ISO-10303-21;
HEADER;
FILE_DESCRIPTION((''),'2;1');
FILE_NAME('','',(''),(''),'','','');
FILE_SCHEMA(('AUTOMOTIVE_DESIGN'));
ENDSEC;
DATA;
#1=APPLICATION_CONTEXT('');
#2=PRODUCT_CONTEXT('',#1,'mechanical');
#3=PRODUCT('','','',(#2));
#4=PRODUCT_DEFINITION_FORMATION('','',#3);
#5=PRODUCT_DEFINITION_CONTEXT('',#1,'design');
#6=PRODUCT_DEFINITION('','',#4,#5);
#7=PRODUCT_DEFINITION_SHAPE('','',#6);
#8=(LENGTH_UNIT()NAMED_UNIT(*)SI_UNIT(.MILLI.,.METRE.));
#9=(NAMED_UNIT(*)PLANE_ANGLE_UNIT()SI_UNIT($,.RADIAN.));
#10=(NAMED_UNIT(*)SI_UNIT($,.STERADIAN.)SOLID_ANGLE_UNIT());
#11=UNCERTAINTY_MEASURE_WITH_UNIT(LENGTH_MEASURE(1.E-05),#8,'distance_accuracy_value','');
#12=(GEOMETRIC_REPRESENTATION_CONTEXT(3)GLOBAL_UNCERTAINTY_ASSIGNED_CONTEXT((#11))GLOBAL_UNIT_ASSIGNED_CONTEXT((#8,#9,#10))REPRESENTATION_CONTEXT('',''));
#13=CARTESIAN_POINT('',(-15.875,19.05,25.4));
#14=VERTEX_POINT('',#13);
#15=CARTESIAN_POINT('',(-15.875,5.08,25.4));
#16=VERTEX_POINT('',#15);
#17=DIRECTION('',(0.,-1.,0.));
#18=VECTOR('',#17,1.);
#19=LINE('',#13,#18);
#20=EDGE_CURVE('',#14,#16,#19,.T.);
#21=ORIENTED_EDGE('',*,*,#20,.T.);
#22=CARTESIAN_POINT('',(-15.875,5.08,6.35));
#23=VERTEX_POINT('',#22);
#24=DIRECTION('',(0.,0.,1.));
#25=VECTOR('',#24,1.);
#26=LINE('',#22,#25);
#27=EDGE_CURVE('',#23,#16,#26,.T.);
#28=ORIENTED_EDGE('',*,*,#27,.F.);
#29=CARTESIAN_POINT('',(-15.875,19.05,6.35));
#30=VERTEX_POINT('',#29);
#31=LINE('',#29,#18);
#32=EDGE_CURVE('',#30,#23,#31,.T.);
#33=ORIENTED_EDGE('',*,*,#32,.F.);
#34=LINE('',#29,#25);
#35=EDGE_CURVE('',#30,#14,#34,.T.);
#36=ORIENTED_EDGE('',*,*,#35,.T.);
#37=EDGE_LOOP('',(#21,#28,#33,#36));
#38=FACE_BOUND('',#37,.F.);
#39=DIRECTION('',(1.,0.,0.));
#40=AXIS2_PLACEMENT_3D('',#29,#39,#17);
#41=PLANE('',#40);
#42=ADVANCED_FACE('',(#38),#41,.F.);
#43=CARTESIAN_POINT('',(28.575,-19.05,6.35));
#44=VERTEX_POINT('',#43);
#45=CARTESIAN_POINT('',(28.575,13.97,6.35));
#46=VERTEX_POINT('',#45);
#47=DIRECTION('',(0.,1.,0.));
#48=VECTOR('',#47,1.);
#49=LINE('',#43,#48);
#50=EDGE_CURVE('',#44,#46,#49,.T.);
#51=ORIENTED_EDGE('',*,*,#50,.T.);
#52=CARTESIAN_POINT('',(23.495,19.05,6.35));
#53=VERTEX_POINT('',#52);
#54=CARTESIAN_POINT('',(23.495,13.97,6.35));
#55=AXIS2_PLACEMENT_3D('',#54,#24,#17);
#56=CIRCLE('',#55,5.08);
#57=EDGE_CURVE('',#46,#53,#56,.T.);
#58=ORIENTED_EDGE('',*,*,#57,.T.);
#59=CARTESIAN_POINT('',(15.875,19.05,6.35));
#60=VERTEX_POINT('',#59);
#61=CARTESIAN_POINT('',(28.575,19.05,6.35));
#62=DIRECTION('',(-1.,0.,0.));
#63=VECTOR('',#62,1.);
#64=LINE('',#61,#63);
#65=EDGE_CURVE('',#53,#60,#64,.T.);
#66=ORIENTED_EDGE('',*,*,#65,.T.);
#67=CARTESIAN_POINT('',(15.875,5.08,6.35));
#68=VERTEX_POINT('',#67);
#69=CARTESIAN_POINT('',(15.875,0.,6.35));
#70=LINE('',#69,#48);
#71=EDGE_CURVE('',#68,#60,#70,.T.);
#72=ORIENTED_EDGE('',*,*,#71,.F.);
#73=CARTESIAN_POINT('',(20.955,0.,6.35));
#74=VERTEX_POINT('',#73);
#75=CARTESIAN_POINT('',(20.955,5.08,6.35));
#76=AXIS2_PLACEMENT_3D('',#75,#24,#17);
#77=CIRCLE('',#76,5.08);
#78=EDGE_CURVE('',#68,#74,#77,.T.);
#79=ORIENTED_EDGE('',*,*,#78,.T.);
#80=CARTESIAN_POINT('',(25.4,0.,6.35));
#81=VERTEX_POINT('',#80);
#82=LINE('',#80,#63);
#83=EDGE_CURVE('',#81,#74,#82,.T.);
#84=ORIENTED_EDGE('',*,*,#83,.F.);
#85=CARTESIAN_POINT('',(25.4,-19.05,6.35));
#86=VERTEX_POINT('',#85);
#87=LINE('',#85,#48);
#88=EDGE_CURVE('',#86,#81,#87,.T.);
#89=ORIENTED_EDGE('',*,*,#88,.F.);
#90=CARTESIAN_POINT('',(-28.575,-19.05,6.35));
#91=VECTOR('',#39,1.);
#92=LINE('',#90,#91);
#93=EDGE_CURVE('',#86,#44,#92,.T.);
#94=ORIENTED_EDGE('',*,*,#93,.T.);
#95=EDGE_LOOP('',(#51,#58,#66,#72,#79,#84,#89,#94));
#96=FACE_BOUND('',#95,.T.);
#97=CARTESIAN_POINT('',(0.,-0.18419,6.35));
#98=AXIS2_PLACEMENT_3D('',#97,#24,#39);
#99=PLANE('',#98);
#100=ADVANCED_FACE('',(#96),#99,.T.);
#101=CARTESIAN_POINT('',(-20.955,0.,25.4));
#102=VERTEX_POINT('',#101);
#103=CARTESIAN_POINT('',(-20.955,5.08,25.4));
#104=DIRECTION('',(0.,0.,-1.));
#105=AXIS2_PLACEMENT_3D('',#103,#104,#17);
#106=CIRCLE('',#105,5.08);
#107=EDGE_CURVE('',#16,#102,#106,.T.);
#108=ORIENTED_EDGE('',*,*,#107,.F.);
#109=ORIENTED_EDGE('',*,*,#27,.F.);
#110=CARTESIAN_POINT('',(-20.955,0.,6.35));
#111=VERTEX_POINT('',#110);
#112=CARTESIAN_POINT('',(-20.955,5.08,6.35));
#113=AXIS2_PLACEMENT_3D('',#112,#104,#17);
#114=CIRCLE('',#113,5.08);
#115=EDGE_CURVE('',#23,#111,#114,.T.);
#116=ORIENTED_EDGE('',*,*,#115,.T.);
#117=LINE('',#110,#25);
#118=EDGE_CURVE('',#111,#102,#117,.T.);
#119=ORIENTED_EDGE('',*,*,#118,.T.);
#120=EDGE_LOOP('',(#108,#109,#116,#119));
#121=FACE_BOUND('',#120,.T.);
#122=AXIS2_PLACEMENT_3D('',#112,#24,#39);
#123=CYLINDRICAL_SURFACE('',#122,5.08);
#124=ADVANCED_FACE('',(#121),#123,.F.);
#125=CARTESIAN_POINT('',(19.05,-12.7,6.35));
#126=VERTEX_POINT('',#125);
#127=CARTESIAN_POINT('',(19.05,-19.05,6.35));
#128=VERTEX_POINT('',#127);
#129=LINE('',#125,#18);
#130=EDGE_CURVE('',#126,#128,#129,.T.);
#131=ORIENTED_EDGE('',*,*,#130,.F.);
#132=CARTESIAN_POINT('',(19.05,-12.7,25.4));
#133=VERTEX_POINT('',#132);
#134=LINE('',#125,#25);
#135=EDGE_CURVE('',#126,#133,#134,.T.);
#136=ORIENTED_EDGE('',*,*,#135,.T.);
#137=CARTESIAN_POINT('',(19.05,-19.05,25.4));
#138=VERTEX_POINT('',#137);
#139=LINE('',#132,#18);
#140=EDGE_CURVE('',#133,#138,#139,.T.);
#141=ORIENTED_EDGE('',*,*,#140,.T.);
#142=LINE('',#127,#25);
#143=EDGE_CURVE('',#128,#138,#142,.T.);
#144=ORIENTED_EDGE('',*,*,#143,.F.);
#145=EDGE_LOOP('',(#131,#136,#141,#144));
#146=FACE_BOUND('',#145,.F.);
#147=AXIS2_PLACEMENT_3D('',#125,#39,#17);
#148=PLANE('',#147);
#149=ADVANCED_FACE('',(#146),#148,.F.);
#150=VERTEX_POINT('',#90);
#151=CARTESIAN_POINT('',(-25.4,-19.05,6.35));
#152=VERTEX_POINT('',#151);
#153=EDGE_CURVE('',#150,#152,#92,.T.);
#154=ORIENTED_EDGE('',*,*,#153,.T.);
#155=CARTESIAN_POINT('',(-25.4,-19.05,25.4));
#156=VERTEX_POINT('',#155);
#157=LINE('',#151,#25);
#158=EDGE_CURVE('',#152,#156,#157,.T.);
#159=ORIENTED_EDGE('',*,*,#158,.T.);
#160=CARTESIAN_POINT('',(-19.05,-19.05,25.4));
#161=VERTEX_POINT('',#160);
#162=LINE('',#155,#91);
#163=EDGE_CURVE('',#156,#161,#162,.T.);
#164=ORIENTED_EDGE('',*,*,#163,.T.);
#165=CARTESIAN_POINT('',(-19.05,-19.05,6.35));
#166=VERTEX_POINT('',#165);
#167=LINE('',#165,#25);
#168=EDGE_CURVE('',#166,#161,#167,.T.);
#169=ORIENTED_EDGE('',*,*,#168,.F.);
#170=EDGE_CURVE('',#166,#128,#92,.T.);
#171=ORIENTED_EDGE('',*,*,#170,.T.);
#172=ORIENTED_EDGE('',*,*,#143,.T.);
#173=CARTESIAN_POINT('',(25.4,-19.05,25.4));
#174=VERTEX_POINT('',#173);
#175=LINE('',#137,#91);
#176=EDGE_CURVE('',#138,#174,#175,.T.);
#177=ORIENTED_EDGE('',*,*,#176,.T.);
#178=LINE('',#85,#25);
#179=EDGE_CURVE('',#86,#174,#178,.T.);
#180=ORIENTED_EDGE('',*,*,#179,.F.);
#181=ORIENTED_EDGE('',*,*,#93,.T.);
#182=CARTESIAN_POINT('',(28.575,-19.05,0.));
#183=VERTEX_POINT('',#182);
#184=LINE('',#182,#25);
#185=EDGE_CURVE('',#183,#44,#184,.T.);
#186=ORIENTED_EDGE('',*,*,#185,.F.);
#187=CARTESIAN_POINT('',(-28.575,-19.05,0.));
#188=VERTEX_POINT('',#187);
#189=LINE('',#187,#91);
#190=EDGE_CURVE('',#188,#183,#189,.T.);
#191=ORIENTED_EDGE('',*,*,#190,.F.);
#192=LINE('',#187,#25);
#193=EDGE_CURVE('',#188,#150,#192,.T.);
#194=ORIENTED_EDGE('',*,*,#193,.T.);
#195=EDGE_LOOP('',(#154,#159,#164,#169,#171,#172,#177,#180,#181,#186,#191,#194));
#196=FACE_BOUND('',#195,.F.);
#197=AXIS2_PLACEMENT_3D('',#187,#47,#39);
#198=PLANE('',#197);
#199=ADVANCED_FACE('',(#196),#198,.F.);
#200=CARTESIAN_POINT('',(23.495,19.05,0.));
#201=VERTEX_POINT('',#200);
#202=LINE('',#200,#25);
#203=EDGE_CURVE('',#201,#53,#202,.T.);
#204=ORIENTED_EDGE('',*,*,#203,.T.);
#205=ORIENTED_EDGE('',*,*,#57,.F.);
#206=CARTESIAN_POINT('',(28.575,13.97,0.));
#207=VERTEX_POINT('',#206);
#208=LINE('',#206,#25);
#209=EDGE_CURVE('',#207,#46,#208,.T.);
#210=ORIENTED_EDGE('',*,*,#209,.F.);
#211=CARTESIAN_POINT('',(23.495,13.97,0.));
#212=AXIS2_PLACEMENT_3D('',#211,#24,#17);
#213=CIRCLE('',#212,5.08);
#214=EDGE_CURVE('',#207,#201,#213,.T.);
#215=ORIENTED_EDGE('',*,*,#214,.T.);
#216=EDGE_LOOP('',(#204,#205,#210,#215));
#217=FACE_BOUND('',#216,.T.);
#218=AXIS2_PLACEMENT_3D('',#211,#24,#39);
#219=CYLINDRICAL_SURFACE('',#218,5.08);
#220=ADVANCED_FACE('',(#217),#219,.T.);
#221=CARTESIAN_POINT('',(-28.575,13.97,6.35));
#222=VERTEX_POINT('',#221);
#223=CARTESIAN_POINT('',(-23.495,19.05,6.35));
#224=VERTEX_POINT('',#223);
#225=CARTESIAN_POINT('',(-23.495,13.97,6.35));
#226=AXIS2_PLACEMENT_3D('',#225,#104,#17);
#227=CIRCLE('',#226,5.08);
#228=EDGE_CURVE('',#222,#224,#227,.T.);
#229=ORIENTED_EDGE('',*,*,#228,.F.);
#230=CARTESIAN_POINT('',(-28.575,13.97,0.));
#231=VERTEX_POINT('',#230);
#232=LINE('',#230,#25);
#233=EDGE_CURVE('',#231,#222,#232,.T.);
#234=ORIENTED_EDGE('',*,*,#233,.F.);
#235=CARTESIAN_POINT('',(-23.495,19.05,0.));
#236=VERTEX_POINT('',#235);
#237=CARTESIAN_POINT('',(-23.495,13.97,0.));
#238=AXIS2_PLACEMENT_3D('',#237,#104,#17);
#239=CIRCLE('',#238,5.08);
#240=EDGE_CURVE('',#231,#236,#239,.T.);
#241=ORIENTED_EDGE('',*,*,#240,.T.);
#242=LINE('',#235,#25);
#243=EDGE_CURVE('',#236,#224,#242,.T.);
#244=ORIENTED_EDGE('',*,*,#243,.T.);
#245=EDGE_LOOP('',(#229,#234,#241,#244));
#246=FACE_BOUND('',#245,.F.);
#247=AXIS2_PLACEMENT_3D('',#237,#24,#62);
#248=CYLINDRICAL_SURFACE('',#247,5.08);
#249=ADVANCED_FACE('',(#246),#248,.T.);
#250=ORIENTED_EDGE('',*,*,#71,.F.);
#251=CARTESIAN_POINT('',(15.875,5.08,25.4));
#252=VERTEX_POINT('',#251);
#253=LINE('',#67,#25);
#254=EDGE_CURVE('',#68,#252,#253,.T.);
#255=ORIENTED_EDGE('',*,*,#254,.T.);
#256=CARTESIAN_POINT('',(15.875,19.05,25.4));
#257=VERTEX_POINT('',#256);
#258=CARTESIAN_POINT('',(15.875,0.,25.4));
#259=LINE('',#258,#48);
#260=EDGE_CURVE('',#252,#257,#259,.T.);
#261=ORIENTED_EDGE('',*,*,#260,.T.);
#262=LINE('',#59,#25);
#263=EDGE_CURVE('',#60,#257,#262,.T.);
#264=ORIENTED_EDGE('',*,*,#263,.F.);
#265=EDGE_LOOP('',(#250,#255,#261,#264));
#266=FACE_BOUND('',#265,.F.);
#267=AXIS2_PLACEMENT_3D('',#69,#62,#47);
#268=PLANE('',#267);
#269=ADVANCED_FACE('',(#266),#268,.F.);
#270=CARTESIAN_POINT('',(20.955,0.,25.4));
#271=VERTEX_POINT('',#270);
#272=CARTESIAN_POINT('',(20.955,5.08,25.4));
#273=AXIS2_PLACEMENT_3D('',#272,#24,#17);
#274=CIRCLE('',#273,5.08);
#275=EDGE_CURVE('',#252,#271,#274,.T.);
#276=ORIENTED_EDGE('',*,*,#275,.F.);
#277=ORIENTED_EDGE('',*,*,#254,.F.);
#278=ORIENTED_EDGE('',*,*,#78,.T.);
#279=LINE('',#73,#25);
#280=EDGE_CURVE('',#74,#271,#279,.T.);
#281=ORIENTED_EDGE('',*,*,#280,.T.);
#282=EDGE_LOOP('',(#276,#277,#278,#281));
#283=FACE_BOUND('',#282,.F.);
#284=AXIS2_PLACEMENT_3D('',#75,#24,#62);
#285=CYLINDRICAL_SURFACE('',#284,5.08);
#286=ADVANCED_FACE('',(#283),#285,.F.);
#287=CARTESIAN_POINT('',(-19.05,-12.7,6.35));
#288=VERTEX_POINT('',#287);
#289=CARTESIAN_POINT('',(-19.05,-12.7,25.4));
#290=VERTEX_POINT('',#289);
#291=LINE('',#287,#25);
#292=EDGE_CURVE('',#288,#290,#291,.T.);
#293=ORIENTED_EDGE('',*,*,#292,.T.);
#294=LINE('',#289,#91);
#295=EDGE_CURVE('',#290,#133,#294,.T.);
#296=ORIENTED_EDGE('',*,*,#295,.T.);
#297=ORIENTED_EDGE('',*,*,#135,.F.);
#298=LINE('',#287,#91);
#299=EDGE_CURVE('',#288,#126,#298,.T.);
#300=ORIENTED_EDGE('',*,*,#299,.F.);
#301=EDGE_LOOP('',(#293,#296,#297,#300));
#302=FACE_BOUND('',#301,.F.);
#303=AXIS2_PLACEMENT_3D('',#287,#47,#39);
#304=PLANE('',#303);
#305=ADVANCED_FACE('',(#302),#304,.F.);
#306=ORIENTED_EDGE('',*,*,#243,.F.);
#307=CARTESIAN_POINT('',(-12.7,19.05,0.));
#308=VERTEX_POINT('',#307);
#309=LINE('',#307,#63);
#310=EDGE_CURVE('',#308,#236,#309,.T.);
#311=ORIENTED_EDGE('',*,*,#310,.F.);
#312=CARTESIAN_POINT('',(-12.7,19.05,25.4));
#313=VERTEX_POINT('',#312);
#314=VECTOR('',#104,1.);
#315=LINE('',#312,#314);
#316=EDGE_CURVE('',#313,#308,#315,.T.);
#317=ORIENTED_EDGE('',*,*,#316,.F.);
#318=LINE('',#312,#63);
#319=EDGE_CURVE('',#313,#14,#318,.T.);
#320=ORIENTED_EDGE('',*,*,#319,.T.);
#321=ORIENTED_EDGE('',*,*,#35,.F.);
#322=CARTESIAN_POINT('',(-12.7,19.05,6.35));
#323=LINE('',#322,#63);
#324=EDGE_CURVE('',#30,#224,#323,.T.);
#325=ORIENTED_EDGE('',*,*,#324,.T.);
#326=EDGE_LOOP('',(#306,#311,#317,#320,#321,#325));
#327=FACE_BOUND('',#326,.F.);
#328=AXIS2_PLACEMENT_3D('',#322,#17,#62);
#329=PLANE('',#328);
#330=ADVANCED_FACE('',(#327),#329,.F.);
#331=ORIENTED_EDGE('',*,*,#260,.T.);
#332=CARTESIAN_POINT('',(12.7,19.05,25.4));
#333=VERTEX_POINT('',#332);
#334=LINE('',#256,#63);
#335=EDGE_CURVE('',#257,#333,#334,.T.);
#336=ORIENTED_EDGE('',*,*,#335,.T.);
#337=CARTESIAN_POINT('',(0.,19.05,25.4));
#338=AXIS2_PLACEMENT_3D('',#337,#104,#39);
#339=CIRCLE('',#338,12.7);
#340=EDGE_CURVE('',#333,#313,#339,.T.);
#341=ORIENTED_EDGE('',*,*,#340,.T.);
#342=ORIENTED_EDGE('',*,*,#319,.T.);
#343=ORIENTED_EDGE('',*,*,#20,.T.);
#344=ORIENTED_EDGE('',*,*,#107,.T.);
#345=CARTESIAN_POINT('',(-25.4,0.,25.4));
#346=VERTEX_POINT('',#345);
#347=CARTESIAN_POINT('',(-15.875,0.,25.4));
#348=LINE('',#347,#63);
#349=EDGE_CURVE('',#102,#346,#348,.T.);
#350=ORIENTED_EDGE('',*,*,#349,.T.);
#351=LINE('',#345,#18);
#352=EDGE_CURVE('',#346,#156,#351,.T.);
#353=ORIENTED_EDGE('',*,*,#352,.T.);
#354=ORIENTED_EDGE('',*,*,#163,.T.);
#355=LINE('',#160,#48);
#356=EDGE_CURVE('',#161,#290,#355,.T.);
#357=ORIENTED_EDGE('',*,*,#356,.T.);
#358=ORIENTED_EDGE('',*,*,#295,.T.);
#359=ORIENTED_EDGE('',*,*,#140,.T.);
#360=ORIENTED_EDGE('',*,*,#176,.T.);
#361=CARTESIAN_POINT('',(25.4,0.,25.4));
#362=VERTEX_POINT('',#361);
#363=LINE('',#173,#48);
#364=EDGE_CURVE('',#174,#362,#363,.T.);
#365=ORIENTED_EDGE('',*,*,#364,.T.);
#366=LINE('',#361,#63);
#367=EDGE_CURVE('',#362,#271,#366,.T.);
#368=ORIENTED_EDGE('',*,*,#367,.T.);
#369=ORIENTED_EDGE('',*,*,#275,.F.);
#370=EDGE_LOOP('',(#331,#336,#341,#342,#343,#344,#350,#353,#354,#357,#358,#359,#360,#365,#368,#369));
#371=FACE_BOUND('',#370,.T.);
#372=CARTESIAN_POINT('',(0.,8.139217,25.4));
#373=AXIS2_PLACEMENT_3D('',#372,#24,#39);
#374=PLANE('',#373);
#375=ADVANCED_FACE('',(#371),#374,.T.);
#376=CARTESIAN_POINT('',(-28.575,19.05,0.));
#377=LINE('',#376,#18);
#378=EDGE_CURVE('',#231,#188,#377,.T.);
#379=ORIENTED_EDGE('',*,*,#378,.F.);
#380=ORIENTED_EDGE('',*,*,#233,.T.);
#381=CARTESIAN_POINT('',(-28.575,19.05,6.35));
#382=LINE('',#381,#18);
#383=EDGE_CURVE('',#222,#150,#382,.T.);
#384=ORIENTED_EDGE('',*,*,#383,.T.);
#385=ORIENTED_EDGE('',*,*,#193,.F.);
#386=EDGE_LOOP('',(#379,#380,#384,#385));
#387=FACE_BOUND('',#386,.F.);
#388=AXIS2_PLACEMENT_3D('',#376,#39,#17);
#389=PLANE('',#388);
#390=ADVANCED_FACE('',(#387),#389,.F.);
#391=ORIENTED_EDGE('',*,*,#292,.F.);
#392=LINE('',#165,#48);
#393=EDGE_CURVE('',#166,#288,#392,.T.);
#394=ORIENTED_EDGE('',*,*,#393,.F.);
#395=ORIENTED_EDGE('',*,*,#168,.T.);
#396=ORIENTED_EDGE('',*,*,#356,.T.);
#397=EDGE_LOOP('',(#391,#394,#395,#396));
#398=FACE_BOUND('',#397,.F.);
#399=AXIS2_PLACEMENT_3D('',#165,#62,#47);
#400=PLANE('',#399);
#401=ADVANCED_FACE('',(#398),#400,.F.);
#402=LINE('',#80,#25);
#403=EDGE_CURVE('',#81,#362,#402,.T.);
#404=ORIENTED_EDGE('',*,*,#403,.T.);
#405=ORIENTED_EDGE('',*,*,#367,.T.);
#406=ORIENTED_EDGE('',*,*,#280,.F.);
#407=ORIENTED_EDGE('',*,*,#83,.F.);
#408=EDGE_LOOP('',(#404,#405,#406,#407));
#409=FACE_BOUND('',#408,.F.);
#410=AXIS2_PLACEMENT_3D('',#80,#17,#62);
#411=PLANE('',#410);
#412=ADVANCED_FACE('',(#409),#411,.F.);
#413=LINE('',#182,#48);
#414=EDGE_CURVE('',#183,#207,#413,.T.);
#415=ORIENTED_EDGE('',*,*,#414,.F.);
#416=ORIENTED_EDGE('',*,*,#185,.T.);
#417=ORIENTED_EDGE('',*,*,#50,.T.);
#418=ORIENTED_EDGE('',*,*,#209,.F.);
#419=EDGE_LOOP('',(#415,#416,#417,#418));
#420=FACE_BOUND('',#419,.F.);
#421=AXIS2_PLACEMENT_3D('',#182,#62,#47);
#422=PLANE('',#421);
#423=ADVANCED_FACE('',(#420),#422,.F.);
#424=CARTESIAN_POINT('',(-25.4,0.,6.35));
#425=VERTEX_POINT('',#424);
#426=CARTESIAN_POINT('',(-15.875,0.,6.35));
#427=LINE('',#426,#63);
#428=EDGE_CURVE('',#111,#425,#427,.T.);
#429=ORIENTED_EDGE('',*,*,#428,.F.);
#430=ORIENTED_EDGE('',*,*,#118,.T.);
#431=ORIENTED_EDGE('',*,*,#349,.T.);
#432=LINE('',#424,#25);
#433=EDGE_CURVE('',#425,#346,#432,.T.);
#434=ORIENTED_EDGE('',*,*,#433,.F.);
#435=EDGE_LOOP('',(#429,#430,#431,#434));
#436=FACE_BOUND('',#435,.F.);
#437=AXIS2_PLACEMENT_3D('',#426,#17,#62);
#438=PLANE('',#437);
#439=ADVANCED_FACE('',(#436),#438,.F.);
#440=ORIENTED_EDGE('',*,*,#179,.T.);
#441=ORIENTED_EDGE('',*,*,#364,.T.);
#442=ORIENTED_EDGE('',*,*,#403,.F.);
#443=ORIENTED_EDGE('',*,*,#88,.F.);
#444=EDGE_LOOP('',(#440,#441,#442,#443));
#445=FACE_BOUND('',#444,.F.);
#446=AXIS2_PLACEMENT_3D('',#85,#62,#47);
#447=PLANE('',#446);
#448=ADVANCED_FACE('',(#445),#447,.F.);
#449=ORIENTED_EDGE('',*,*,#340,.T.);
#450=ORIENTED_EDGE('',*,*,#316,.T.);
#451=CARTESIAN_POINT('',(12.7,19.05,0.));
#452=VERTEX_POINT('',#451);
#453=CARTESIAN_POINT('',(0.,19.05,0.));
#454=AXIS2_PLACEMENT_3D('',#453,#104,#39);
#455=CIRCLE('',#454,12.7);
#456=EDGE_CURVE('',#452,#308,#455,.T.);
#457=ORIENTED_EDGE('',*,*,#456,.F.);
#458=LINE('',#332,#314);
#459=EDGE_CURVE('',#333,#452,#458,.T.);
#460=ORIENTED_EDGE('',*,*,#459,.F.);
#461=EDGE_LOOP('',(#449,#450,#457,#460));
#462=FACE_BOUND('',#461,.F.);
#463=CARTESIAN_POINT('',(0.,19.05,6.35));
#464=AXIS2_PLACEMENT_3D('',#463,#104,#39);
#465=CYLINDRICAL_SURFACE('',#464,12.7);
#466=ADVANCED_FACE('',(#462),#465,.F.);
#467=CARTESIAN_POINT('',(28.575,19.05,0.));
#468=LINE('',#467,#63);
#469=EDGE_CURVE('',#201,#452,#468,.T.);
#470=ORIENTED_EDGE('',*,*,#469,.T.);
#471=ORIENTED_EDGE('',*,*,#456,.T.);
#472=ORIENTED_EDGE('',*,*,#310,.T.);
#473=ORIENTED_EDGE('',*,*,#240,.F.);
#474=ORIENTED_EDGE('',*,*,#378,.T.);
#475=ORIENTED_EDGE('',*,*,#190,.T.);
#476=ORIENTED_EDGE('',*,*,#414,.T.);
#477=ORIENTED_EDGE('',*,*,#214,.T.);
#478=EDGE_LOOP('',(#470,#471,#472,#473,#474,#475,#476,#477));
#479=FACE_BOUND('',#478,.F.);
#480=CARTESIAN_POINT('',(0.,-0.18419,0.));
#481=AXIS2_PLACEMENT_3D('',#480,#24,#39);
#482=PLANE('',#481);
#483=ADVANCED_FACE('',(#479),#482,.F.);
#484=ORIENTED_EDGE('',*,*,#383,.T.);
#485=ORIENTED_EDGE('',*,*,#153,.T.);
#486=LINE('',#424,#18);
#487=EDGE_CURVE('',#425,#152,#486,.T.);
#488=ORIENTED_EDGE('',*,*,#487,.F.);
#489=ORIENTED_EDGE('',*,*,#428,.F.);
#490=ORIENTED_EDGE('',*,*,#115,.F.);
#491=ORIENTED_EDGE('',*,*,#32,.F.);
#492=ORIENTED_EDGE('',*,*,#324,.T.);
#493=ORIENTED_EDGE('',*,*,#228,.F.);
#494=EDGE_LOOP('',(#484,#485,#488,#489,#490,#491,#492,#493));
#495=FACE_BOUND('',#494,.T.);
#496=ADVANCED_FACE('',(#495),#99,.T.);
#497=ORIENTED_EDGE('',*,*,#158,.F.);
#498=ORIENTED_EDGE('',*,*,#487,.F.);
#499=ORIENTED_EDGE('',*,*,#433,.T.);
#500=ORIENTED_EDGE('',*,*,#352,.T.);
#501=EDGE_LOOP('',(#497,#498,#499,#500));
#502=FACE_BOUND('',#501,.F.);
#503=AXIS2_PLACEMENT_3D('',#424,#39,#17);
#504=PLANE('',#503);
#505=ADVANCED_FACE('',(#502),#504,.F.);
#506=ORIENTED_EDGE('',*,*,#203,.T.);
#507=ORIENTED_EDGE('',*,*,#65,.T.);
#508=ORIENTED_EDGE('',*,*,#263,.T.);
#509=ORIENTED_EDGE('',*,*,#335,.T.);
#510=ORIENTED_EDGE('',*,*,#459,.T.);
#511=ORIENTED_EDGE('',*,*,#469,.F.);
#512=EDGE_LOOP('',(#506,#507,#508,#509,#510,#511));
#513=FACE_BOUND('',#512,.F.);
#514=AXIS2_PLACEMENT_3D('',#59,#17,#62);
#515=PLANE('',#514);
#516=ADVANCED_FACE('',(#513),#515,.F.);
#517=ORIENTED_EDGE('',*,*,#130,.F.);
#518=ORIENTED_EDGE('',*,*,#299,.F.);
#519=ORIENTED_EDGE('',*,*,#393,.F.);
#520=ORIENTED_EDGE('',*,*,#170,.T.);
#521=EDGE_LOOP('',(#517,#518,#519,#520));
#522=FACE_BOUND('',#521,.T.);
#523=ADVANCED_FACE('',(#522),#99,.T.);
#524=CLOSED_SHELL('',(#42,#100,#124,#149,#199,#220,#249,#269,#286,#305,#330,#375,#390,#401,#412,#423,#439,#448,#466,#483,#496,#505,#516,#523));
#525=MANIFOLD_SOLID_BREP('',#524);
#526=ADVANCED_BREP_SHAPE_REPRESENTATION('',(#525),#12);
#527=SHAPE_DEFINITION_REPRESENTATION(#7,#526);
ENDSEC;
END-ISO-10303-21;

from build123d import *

# Parameters (mm, degrees)
F1_DEPTH = 6.35
F3_DEPTH = 19.05
F4_R     = 5.08


with BuildPart() as f1:
    # F0 (on Top) → F1 (new body)
    with BuildSketch(Plane.XY):
        with BuildLine():
            Line((28.575, -19.05), (28.575, 19.05))
            Line((28.575, 19.05), (12.7, 19.05))
            ThreePointArc((12.7, 19.05), (0, 6.35), (-12.7, 19.05))
            Line((-12.7, 19.05), (-28.575, 19.05))
            Line((-28.575, 19.05), (-28.575, -19.05))
            Line((-28.575, -19.05), (28.575, -19.05))
        make_face()
    extrude(amount=F1_DEPTH)

    # F2 (on face) → F3 (join)
    with BuildSketch(Plane.XY.offset(6.35)):
        with BuildLine():
            Line((-15.875, 19.05), (-15.875, 0))
            Line((-15.875, 0), (15.875, 0))
            Line((15.875, 0), (15.875, 19.05))
            Line((15.875, 19.05), (12.7, 19.05))
            ThreePointArc((12.7, 19.05), (0, 6.35), (-12.7, 19.05))
            Line((-12.7, 19.05), (-15.875, 19.05))
        make_face()
        Polygon((-25.4, 0), (-25.4, -19.05), (-19.05, -19.05), (-19.05, -12.7), (19.05, -12.7), (19.05, -19.05), (25.4, -19.05), (25.4, 0), (15.875, 0), (-15.875, 0), align=None)
    extrude(amount=F3_DEPTH)

    # F4
    f4_edges = [f1.edges().sort_by_distance(p)[0] for p in [
        (-28.575, 19.05, 3.175),
        (28.575, 19.05, 3.175),
        (-15.875, 0, 15.875),
        (15.875, 0, 15.875),
    ]]
    fillet(f4_edges, radius=F4_R)


solid = f1.part
